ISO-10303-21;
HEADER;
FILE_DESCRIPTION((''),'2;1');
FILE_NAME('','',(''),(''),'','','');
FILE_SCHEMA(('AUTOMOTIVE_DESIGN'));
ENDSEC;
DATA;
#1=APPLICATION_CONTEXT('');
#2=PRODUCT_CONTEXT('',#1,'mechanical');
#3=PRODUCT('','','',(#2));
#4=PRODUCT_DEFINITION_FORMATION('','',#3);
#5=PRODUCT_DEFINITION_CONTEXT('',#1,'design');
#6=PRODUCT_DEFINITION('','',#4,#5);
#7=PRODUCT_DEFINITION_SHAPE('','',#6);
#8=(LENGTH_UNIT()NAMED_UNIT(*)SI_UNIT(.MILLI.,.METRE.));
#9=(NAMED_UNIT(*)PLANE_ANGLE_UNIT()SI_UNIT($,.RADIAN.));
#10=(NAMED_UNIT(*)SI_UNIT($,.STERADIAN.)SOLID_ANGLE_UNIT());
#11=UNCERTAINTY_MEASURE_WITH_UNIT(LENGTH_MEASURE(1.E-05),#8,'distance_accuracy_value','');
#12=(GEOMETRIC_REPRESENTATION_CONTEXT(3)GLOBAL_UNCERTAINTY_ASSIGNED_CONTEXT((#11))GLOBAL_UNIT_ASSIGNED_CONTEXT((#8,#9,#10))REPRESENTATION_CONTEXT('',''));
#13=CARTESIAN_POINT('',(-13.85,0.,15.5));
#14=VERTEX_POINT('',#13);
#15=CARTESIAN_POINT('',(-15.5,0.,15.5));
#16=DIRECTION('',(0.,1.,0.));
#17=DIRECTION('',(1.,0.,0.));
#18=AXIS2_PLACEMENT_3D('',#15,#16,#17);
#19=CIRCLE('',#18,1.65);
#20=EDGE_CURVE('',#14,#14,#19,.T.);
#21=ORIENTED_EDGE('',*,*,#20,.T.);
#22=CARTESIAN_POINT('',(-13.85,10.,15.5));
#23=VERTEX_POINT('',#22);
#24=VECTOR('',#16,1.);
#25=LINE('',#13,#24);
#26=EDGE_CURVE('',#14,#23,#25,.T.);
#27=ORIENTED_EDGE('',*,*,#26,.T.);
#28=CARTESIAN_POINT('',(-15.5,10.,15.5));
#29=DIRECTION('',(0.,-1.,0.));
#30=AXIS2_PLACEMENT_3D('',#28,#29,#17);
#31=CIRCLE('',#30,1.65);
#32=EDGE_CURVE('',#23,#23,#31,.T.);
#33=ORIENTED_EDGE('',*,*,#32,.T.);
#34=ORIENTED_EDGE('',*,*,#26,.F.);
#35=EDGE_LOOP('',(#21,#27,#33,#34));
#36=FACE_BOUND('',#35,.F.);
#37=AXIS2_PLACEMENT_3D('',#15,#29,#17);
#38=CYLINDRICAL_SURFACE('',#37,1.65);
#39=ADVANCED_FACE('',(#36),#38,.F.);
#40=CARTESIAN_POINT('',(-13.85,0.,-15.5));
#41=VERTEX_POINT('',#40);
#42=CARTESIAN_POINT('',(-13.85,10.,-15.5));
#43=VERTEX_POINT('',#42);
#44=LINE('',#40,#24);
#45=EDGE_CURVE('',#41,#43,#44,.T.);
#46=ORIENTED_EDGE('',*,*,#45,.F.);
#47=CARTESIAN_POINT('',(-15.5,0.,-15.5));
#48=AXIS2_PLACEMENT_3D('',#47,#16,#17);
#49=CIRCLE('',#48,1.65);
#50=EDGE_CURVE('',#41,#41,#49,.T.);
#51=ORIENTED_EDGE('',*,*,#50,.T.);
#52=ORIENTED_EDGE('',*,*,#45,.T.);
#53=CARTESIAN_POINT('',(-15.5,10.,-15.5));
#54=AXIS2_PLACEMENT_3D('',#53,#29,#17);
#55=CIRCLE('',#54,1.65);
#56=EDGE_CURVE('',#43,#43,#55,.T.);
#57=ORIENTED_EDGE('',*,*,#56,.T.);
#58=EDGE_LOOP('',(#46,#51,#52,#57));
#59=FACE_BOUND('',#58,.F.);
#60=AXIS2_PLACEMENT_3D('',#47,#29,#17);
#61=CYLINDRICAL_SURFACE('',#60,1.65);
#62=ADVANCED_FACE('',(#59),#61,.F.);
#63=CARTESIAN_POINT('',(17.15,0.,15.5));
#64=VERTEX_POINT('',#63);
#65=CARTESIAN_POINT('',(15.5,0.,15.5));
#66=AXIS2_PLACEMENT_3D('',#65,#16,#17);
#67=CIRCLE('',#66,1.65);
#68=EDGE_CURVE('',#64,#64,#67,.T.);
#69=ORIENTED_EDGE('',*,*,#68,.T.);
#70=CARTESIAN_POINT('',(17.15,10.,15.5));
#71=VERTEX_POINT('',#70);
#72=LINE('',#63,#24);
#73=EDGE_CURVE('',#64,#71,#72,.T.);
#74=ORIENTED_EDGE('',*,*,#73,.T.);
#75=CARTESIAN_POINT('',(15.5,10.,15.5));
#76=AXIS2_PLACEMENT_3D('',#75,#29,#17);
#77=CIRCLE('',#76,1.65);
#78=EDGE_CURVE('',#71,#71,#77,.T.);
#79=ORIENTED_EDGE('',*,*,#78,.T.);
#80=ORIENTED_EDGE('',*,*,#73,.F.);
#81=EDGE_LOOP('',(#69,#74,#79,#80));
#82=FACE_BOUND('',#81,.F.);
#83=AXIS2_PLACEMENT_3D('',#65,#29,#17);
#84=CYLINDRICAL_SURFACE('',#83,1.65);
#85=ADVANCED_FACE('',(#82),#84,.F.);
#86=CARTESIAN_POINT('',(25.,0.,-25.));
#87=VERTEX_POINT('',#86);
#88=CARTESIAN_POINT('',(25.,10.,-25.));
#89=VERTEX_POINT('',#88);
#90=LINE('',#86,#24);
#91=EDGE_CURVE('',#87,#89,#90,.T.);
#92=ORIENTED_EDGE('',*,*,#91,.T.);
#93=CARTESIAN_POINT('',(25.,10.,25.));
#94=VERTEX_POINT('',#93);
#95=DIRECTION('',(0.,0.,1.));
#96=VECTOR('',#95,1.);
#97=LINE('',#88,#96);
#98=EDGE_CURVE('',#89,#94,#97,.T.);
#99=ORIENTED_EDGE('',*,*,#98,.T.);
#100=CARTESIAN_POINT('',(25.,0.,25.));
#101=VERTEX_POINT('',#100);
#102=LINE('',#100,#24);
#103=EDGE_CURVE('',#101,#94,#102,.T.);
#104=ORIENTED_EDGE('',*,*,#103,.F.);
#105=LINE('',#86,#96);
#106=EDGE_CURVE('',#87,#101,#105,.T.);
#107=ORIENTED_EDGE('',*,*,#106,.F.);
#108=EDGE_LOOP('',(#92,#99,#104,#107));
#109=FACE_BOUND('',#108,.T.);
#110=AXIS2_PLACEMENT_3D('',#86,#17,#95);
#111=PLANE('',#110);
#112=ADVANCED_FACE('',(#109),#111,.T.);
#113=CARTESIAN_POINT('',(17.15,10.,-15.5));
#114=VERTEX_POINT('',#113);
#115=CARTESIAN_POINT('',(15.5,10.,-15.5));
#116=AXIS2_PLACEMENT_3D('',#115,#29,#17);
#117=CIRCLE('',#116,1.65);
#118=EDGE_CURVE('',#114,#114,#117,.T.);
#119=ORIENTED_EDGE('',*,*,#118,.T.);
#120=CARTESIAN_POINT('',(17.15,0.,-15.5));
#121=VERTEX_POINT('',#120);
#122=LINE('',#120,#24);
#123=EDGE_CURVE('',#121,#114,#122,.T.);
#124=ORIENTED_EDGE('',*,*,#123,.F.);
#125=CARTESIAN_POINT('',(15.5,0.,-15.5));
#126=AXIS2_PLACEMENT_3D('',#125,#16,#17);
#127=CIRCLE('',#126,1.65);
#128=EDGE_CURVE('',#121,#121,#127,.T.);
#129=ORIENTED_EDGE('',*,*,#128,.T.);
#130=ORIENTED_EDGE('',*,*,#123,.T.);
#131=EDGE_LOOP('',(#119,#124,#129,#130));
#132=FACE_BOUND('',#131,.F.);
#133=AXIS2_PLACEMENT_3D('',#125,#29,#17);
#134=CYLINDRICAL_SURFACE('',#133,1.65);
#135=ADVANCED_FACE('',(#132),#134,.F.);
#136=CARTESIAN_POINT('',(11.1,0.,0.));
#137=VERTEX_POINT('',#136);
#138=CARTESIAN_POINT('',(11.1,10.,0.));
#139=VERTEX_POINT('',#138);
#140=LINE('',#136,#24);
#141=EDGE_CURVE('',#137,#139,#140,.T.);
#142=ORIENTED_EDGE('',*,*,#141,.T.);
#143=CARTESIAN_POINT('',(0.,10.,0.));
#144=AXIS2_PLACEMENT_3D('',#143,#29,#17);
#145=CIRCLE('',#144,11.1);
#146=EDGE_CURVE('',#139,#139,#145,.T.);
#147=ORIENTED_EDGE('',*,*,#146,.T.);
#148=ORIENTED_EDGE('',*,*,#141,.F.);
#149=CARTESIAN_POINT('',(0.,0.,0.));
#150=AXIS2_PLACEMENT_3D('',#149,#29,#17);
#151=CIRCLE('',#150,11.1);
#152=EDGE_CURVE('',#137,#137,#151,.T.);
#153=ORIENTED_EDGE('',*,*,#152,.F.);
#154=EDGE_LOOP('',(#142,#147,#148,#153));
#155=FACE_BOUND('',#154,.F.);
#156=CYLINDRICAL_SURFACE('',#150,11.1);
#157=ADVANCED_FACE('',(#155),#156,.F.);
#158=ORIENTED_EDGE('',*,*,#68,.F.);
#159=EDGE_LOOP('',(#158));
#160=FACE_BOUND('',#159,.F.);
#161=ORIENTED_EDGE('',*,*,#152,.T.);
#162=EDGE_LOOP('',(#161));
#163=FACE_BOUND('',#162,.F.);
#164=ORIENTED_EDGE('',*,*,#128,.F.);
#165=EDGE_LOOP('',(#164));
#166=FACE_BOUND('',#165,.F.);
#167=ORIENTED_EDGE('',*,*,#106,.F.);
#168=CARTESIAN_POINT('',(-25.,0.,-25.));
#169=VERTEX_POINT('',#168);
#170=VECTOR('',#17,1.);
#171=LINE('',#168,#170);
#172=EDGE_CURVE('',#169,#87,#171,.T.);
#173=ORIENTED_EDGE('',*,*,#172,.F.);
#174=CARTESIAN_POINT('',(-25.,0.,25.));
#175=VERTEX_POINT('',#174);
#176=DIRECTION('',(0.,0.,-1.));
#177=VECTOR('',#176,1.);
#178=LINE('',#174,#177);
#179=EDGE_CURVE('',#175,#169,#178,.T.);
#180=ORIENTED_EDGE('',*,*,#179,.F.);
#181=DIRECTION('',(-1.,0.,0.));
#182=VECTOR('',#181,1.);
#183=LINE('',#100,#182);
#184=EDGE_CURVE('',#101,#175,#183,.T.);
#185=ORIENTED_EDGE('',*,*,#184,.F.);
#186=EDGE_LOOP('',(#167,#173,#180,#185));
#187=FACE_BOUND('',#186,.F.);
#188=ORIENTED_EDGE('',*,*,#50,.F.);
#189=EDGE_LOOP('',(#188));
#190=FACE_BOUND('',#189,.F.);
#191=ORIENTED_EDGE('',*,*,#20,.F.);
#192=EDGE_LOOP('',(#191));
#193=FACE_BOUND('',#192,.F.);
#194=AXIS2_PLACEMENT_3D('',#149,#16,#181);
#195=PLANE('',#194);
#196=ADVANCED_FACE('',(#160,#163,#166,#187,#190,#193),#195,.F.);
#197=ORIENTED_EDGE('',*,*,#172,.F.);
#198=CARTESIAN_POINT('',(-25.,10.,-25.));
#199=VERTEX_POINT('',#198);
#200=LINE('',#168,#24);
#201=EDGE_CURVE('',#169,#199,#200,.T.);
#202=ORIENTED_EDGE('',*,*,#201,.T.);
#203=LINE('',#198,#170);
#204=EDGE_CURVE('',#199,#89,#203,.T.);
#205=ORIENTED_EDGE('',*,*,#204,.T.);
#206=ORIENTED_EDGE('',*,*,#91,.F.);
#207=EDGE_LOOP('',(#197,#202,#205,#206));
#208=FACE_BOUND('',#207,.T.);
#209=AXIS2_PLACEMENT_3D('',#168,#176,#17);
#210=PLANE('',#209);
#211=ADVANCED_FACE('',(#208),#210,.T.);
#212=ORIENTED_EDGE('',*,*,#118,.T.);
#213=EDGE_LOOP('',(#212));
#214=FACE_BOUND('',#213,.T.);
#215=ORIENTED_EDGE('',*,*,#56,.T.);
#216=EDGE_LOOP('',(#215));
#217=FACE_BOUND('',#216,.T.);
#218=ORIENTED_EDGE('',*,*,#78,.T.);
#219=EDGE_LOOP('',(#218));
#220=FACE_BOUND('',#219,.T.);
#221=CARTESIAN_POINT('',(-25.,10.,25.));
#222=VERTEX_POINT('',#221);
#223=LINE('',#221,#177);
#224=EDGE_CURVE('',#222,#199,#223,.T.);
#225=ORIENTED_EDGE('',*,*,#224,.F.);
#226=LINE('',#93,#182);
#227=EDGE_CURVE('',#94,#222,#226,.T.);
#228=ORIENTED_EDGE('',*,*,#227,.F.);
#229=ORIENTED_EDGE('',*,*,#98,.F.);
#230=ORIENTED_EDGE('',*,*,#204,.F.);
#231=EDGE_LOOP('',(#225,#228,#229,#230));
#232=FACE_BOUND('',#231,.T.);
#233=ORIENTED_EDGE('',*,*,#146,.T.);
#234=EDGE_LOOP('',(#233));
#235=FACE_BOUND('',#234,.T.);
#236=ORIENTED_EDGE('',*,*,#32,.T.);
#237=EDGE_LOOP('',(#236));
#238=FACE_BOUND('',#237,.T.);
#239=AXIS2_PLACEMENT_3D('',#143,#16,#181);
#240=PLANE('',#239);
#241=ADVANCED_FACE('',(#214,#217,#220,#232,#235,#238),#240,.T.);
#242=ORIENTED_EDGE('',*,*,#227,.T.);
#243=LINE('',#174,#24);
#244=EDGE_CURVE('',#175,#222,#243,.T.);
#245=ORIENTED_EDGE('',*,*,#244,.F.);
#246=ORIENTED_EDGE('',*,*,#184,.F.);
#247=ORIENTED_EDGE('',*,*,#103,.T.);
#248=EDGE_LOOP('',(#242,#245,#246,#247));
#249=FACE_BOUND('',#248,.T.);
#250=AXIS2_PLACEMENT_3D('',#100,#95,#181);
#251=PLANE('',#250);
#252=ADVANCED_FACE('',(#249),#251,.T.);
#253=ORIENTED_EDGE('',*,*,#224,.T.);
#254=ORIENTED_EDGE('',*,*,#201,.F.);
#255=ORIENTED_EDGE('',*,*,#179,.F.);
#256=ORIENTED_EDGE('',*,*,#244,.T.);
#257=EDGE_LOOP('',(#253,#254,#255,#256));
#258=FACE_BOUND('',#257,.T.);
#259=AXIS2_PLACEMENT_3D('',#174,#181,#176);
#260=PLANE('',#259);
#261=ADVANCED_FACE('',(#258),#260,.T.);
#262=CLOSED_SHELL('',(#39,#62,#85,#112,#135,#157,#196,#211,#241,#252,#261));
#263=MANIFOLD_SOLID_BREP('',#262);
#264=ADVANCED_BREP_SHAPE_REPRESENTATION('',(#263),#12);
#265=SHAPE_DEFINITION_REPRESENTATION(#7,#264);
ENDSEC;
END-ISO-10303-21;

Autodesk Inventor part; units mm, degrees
ref_plane "YZ Plane" through (0, 0, 0) normal (1, 0, 0) x (0, 1, 0)
ref_plane "XZ Plane" through (0, 0, 0) normal (0, 1, 0) x (-1, 0, 0)
ref_plane "XY Plane" through (0, 0, 0) normal (0, 0, 1) x (1, 0, 0)
sketch "Sketch1" plane through (0, 0, 0) normal (0, 1, 0) x (-1, 0, 0)
  line L0 (25, -25) -> (-25, -25)
  line L1 (-25, -25) -> (-25, 25)
  line L2 (-25, 25) -> (25, 25)
  line L3 (25, 25) -> (25, -25)
  line L4 (25, -25) -> (-25, 25) construction
  line L5 (-25, -25) -> (25, 25) construction
  point P0 (0, 0)
  dimension "d0" = 50
  dimension "d1" = 50
extrude "Extrusion1" add sketch "Sketch1" along normal blind 10
sketch "Sketch7" plane through (0, 0, 0) normal (0, -1, 0) x (1, 0, 0)
  circle A0 centre (0, 0) radius 11.1
  line L0 (-15.5, -15.5) -> (15.5, -15.5)
  line L1 (15.5, -15.5) -> (15.5, 15.5)
  line L2 (15.5, 15.5) -> (-15.5, 15.5)
  line L3 (-15.5, 15.5) -> (-15.5, -15.5)
  line L4 (-15.5, -15.5) -> (15.5, 15.5) construction
  line L5 (15.5, -15.5) -> (-15.5, 15.5) construction
  circle A1 centre (-15.5, 15.5) radius 1.65
  circle A2 centre (-15.5, -15.5) radius 1.65
  circle A3 centre (15.5, -15.5) radius 1.65
  circle A4 centre (15.5, 15.5) radius 1.65
  dimension "d60" = 22.2
  dimension "d61" = 31
  dimension "d62" = 31
  dimension "d63" = 3.3
  dimension "d66" = 360
extrude "Extrusion6" cut sketch "Sketch7" against normal up to next contours A0 | L3 A2 L0 | L0 A2 L3 | A3 L1 L0 | L0 L1 A3 | A1 L2 L3 | L3 L2 A1 | A4 L2 L1 | L1 L2 A4
sketch "Sketch4" plane through (0, 0, 0) normal (0, -1, 0) x (1, 0, 0)
  line L0 (25, -25) -> (25, 25) projected
  line L1 (0, -22.2) -> (0, 22.2) construction
  line L2 (11.5, -22.2) -> (11.5, 22.2)
  line L3 (-11.5, 22.2) -> (-11.5, -22.2)
  arc A0 (-11.5, -22.2) -> (11.5, -22.2) centre (0, -22.2) ccw
  arc A1 (11.5, 22.2) -> (-11.5, 22.2) centre (0, 22.2) ccw
  line L4 (15.5, -15.5) -> (-15.5, -15.5)
  line L5 (-15.5, -15.5) -> (-15.5, 15.5)
  line L6 (-15.5, 15.5) -> (15.5, 15.5)
  line L7 (15.5, 15.5) -> (15.5, -15.5)
  line L8 (15.5, -15.5) -> (-15.5, 15.5) construction
  line L9 (-15.5, -15.5) -> (15.5, 15.5) construction
  line L10 (-15.5, -6.7) -> (-15.5, 37.7) construction
  line L11 (-13.85, -6.7) -> (-13.85, 37.7)
  line L12 (-17.15, 37.7) -> (-17.15, -6.7)
  arc A2 (-17.15, -6.7) -> (-13.85, -6.7) centre (-15.5, -6.7) ccw
  arc A3 (-13.85, 37.7) -> (-17.15, 37.7) centre (-15.5, 37.7) ccw
  line L13 (15.5, -6.7) -> (15.5, 37.7) construction
  line L14 (17.15, -6.7) -> (17.15, 37.7)
  line L15 (13.85, 37.7) -> (13.85, -6.7)
  arc A4 (13.85, -6.7) -> (17.15, -6.7) centre (15.5, -6.7) ccw
  arc A5 (17.15, 37.7) -> (13.85, 37.7) centre (15.5, 37.7) ccw
  line L16 (-15.5, -37.7) -> (-15.5, 6.7) construction
  line L17 (-13.85, -37.7) -> (-13.85, 6.7)
  line L18 (-17.15, 6.7) -> (-17.15, -37.7)
  arc A6 (-17.15, -37.7) -> (-13.85, -37.7) centre (-15.5, -37.7) ccw
  arc A7 (-13.85, 6.7) -> (-17.15, 6.7) centre (-15.5, 6.7) ccw
  line L19 (15.5, -37.7) -> (15.5, 6.7) construction
  line L20 (17.15, -37.7) -> (17.15, 6.7)
  line L21 (13.85, 6.7) -> (13.85, -37.7)
  arc A8 (13.85, -37.7) -> (17.15, -37.7) centre (15.5, -37.7) ccw
  arc A9 (17.15, 6.7) -> (13.85, 6.7) centre (15.5, 6.7) ccw
  line L22 (25, -25) -> (-25, -25)
  line L23 (-25, -25) -> (-25, 25)
  line L24 (-25, 25) -> (25, 25)
  line L25 (25, 25) -> (25, -25)
  line L26 (25, -25) -> (-25, 25) construction
  line L27 (-25, -25) -> (25, 25) construction
  line L28 (0, 0) -> (0, 25)
  line L29 (0, 0) -> (-25, 0)
  line L30 (0, 0) -> (25, 0)
  line L31 (0, 0) -> (0, -25)
  dimension "d25" = 22.2
  dimension "d26" = 23
  dimension "d27" = 31
  dimension "d28" = 31
  dimension "d29" = 22.2
  dimension "d30" = 3.3
  dimension "d31" = 22.2
  dimension "d32" = 3.3
  dimension "d33" = 22.2
  dimension "d34" = 3.3
  dimension "d35" = 22.2
  dimension "d36" = 3.3
equation "\"d60\" = center_hole"
equation "\"d63\" = mount_hole"
equation "\"d25\" = center_hole"
equation "\"d29\" = center_hole"
equation "\"d31\" = center_hole"
equation "\"d33\" = center_hole"
equation "\"d35\" = center_hole"
equation "\"center_hole\" = 22.2"
equation "\"mount_hole\" = 3.3"
properties part number "nema17gen"
